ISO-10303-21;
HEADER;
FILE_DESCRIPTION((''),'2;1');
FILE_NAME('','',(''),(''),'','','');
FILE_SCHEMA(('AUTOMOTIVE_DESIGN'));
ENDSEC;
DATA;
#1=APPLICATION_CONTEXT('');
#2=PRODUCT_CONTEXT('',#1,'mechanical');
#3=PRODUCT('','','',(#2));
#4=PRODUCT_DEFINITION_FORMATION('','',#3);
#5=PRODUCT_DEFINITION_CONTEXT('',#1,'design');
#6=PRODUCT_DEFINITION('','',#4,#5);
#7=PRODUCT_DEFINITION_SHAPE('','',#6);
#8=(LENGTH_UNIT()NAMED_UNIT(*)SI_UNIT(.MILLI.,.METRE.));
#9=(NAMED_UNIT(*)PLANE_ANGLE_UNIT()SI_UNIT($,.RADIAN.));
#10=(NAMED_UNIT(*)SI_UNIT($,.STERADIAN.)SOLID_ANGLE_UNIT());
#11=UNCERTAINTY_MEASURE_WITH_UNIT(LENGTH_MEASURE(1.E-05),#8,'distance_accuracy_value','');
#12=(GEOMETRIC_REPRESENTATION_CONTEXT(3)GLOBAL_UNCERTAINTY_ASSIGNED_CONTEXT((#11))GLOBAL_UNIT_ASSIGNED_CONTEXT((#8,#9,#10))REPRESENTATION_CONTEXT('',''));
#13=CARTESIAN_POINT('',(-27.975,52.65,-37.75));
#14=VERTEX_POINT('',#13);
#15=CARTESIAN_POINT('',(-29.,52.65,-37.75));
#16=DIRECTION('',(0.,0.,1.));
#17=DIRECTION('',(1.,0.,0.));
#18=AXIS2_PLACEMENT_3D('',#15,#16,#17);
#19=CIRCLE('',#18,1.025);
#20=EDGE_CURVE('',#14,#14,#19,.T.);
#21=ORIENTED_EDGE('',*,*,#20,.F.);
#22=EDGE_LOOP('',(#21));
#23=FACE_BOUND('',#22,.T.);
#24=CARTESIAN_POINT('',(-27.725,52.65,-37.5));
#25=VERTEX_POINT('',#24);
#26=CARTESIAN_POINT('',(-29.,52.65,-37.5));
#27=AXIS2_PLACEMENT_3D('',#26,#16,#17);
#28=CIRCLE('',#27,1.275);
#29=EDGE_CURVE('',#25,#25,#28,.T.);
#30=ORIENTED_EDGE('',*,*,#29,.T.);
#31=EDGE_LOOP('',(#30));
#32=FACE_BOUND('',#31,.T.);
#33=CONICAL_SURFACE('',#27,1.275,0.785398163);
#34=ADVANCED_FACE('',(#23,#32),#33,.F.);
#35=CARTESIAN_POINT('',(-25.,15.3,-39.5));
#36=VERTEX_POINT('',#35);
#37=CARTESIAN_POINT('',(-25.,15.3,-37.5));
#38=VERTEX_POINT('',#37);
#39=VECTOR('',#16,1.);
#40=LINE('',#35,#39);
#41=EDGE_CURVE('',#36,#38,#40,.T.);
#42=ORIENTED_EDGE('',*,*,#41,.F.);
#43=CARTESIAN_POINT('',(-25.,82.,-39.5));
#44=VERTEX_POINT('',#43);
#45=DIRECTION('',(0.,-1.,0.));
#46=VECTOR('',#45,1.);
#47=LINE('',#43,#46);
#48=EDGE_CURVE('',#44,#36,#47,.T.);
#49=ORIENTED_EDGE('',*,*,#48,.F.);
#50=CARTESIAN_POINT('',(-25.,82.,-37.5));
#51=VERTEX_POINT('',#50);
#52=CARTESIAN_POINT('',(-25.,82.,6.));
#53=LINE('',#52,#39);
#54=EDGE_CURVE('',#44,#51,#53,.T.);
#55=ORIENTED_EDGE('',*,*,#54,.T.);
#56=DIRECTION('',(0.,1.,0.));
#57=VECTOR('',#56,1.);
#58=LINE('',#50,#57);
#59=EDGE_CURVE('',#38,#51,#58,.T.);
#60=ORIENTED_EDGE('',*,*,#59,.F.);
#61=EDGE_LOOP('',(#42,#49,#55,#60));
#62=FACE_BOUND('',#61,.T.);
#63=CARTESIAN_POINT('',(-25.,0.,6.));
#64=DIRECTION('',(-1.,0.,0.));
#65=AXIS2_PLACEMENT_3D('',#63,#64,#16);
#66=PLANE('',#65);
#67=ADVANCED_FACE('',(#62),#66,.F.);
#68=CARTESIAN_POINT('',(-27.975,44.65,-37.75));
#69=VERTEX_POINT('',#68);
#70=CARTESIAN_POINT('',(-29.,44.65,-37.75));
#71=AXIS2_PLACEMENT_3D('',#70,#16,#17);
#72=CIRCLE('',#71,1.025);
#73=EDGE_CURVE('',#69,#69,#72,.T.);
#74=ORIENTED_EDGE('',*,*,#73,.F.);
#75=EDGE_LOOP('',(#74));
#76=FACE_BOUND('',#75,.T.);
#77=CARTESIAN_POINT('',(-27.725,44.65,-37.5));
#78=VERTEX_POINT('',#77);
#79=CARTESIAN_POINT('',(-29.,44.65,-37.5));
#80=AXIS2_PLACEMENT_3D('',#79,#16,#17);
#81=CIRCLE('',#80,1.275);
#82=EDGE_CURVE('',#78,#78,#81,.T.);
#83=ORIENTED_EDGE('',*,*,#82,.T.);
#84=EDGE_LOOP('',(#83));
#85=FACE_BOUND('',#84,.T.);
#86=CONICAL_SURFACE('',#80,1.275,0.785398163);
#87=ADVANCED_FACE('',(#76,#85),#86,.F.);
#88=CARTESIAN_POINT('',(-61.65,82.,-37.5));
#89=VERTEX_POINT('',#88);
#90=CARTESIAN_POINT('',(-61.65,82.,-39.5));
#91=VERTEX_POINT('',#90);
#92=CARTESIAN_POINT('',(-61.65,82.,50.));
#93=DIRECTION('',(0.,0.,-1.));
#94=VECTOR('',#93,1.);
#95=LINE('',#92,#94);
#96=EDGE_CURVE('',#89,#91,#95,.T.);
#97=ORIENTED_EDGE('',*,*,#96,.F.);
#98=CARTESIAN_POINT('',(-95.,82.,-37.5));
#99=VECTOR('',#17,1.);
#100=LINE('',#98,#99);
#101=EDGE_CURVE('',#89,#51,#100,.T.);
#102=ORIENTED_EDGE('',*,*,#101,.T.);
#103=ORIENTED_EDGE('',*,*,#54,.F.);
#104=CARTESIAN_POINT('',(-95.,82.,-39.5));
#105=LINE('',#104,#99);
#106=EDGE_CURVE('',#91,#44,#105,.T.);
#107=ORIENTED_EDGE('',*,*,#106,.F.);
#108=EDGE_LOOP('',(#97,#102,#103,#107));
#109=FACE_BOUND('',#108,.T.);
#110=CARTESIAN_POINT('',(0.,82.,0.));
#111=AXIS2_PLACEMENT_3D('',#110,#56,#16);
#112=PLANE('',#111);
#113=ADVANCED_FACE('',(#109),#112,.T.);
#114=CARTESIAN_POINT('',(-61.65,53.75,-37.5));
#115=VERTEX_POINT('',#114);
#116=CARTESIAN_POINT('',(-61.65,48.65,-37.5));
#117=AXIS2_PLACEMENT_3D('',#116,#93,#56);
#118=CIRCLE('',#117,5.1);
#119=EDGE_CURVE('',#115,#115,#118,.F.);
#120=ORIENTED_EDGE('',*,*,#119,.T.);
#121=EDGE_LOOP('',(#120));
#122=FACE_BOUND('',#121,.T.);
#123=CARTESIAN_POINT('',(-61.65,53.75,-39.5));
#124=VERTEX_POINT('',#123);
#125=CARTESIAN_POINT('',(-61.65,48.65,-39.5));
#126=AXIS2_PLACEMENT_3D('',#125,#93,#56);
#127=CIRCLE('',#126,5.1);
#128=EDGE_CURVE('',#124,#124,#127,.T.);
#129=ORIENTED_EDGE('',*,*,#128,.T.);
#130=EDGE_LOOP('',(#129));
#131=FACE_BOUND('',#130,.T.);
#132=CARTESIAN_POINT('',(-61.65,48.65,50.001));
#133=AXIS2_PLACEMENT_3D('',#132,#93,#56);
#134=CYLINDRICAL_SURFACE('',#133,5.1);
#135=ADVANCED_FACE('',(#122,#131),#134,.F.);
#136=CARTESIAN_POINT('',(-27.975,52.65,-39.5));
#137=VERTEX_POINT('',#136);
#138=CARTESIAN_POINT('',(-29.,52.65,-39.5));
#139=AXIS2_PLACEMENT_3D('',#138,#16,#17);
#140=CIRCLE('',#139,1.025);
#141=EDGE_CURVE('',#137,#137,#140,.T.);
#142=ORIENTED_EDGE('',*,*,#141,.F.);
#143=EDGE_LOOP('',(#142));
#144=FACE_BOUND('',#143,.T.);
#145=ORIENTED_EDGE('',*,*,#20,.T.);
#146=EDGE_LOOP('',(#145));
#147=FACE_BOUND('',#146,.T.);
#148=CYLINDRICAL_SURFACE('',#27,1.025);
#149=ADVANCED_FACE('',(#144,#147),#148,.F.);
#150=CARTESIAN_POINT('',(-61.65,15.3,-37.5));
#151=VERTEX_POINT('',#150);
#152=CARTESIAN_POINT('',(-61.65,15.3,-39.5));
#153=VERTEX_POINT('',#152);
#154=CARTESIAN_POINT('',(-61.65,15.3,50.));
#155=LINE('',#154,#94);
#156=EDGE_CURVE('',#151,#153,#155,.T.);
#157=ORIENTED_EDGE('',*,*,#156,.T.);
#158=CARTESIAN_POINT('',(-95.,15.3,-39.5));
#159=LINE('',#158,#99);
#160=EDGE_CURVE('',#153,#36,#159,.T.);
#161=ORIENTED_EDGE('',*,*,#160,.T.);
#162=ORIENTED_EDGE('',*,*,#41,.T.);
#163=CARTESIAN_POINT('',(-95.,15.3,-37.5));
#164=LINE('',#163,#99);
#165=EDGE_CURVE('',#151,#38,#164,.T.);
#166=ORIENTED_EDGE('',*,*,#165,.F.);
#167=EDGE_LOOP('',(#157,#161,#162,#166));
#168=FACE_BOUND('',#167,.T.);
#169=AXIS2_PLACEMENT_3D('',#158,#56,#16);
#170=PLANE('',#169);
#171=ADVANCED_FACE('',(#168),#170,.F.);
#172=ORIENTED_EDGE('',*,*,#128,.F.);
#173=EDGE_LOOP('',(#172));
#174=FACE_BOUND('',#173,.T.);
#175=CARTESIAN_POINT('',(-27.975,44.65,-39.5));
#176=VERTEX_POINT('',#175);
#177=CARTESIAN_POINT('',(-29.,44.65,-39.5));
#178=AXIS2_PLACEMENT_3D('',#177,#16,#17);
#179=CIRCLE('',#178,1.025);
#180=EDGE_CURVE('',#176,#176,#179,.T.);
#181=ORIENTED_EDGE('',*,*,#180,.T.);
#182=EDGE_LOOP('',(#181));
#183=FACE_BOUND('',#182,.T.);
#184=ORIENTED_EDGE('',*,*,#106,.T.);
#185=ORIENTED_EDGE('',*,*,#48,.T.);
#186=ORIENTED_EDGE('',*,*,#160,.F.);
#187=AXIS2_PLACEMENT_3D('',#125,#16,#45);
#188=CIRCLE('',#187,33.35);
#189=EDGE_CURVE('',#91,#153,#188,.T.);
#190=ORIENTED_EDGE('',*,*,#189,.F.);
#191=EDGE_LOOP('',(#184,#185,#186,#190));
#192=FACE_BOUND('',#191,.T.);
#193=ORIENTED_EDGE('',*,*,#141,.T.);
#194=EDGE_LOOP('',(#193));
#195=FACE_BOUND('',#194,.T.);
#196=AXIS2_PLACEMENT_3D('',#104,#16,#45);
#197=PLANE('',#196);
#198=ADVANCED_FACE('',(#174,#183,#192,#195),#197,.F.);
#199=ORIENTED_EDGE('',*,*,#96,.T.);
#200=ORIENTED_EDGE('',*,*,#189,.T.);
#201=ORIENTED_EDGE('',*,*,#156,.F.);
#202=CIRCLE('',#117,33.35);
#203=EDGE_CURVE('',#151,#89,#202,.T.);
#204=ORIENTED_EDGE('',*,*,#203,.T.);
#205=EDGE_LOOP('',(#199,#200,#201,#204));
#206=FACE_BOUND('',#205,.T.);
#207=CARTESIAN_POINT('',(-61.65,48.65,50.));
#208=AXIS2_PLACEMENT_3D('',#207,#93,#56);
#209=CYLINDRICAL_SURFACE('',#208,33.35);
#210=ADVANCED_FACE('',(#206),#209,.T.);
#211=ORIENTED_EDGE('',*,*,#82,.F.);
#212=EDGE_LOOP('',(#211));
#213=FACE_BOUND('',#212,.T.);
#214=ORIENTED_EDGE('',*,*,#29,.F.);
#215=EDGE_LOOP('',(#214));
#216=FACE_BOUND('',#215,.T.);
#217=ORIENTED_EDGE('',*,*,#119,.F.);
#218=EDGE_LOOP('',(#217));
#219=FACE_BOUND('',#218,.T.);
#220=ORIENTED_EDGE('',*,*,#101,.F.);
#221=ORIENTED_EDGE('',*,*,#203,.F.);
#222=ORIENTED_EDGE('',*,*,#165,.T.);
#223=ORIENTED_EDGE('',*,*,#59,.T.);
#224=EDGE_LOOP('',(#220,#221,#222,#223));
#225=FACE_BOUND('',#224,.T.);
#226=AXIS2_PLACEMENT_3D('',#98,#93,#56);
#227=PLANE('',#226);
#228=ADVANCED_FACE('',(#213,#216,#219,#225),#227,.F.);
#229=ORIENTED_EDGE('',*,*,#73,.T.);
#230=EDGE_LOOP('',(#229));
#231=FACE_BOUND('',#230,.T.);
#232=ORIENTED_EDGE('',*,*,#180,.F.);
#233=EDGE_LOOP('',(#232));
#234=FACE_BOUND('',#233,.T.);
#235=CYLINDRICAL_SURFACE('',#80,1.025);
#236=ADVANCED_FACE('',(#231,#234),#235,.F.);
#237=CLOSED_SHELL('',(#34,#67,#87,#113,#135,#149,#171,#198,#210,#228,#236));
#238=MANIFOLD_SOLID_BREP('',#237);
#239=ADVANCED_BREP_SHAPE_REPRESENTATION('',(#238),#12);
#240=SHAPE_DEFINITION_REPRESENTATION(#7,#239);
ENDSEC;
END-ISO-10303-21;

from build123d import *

# Parameters (mm, degrees)
SKETCH_1_W                     = 50
SKETCH_1_H                     = 100
EXTRUDE_1_DEPTH                = 2
SKETCH_2_W                     = 3
SKETCH_2_H                     = 100
EXTRUDE_2_DEPTH                = 80
SKETCH_3_W                     = 2
SKETCH_3_H                     = 66.7
EXTRUDE_3_DEPTH                = 70
CUT_EXTRUDE_4_REACH            = 162.465
SKETCH_8_W                     = 2
SKETCH_8_H                     = 66.7
EXTRUDE_4_DEPTH                = 70
CUT_EXTRUDE_5_REACH            = 140.25
HOLE_WIZARD_M3_1_D             = 2.5
HOLE_WIZARD_M3_1_DEPTH         = 2
HOLE_WIZARD_M3_1_CSINK_D       = 3.05
HOLE_WIZARD_M3_1_CSINK_ANGLE   = 90
FILLET_1_R                     = 2
CUT_EXTRUDE_6_REACH            = 140.25
SKETCH_12_R                    = 11
CUT_EXTRUDE_7_REACH            = 162.465
SKETCH_13_R                    = 14.5
SKETCH_14_W                    = 2
SKETCH_14_H                    = 66.7
EXTRUDE_5_DEPTH                = 70
CUT_EXTRUDE_8_REACH            = 156.14
SKETCH_15_R                    = 5.1
CUT_EXTRUDE_9_DEPTH            = 155.140358116
CUT_EXTRUDE_9_DEPTH_BACK       = 155.140358116
SKETCH_19_W                    = 2
SKETCH_19_H                    = 66.7
CUT_EXTRUDE_10_DEPTH           = 119.844436134
FILLET_2_R                     = 2
CUT_EXTRUDE_11_DEPTH           = 134.88427839
CUT_EXTRUDE_11_DEPTH_BACK      = 134.88427839
HOLE_WIZARD_M2_5_1_D           = 2.05
HOLE_WIZARD_M2_5_1_CSINK_D     = 2.55
HOLE_WIZARD_M2_5_1_CSINK_ANGLE = 90


with BuildPart() as part:
    # 草图1 → 凸台-拉伸1 (new body)
    with BuildSketch(Plane(origin=(0, 0, 0), x_dir=(1, 0, 0), z_dir=(0, 1, 0))):
        Rectangle(SKETCH_1_W, SKETCH_1_H)
    extrude(amount=EXTRUDE_1_DEPTH)

    # 草图2 → 凸台-拉伸2 (add)
    with BuildSketch(Plane(origin=(0, 2, 0), x_dir=(1, 0, 0), z_dir=(0, 1, 0))):
        with Locations((-23.5, 0)):
            Rectangle(SKETCH_2_W, SKETCH_2_H)
    extrude(amount=EXTRUDE_2_DEPTH)

    # 草图3 → 凸台-拉伸3 (add)
    with BuildSketch(Plane.ZY.offset(25)):
        with Locations((-49, 48.65)):
            Rectangle(SKETCH_3_W, SKETCH_3_H)
    extrude(amount=EXTRUDE_3_DEPTH)

    # 草图4 → 切除-拉伸4 (cut, up to next)
    with BuildSketch(Plane(origin=(0, 0, -50), x_dir=(-1, 0, 0), z_dir=(0, 0, -1)), mode=Mode.PRIVATE) as cut_extrude_4_sk1:
        with BuildLine():
            Line((95, 82), (61.65, 82))
            ThreePointArc((61.65, 82), (85.232011153, 72.232011153), (95, 48.65))
            Line((95, 48.65), (95, 82))
        make_face()
    cut_extrude_4_tool1 = extrude(cut_extrude_4_sk1.sketch, amount=-CUT_EXTRUDE_4_REACH, mode=Mode.PRIVATE) & part.part
    # 草图4 → 切除-拉伸4 (cut, up to next)
    with BuildSketch(Plane(origin=(0, 0, -50), x_dir=(-1, 0, 0), z_dir=(0, 0, -1)), mode=Mode.PRIVATE) as cut_extrude_4_sk2:
        with BuildLine():
            ThreePointArc((95, 48.65), (85.232011153, 25.067988847), (61.65, 15.3))
            Line((61.65, 15.3), (95, 15.3))
            Line((95, 15.3), (95, 48.65))
        make_face()
    cut_extrude_4_tool2 = extrude(cut_extrude_4_sk2.sketch, amount=-CUT_EXTRUDE_4_REACH, mode=Mode.PRIVATE) & part.part
    add(cut_extrude_4_tool1.solids().sort_by_distance((-87.550679, 74.550679, -50))[0], mode=Mode.SUBTRACT)
    add(cut_extrude_4_tool2.solids().sort_by_distance((-87.550679, 22.749321, -50))[0], mode=Mode.SUBTRACT)

    # 草图8 → 凸台-拉伸4 (add)
    with BuildSketch(Plane.ZY.offset(25)):
        with Locations((7, 48.65)):
            Rectangle(SKETCH_8_W, SKETCH_8_H)
    extrude(amount=EXTRUDE_4_DEPTH)

    # 草图9 → 切除-拉伸5 (cut, up to next)
    with BuildSketch(Plane.XY.offset(8), mode=Mode.PRIVATE) as cut_extrude_5_sk1:
        with BuildLine():
            ThreePointArc((-95, 48.65), (-85.232011153, 72.232011153), (-61.65, 82))
            Line((-61.65, 82), (-95, 82))
            Line((-95, 82), (-95, 48.65))
        make_face()
    cut_extrude_5_tool1 = extrude(cut_extrude_5_sk1.sketch, amount=-CUT_EXTRUDE_5_REACH, mode=Mode.PRIVATE) & part.part
    # 草图9 → 切除-拉伸5 (cut, up to next)
    with BuildSketch(Plane.XY.offset(8), mode=Mode.PRIVATE) as cut_extrude_5_sk2:
        with BuildLine():
            ThreePointArc((-61.65, 15.3), (-85.232011153, 25.067988847), (-95, 48.65))
            Line((-95, 48.65), (-95, 15.3))
            Line((-95, 15.3), (-61.65, 15.3))
        make_face()
    cut_extrude_5_tool2 = extrude(cut_extrude_5_sk2.sketch, amount=-CUT_EXTRUDE_5_REACH, mode=Mode.PRIVATE) & part.part
    add(cut_extrude_5_tool1.solids().sort_by_distance((-87.550679, 74.550679, 8))[0], mode=Mode.SUBTRACT)
    add(cut_extrude_5_tool2.solids().sort_by_distance((-87.550679, 22.749321, 8))[0], mode=Mode.SUBTRACT)

    # M3 螺纹孔1
    with Locations(Plane.XY.offset(8)):
        with Locations((-78.970508076, 38.65), (-61.65, 68.65), (-44.329491924, 38.65)):
            CounterSinkHole(HOLE_WIZARD_M3_1_D / 2, HOLE_WIZARD_M3_1_CSINK_D / 2, depth=HOLE_WIZARD_M3_1_DEPTH, counter_sink_angle=HOLE_WIZARD_M3_1_CSINK_ANGLE)

    # 圆角1
    fillet_1_edges = [part.edges().sort_by_distance(p)[0] for p in [
        (-23.5, 82, 50),
        (25, 1, 50),
        (25, 1, -50),
    ]]
    fillet(fillet_1_edges, radius=FILLET_1_R)

    # 草图12 → 切除-拉伸6 (cut, up to next)
    with BuildSketch(Plane.XY.offset(8), mode=Mode.PRIVATE) as cut_extrude_6_sk1:
        with Locations((-61.65, 48.65)):
            Circle(SKETCH_12_R)
    cut_extrude_6_tool1 = extrude(cut_extrude_6_sk1.sketch, amount=-CUT_EXTRUDE_6_REACH, mode=Mode.PRIVATE) & part.part
    add(cut_extrude_6_tool1.solids().sort_by_distance((-61.65, 48.65, 8))[0], mode=Mode.SUBTRACT)

    # 草图13 → 切除-拉伸7 (cut, up to next)
    with BuildSketch(Plane(origin=(0, 0, -50), x_dir=(-1, 0, 0), z_dir=(0, 0, -1)), mode=Mode.PRIVATE) as cut_extrude_7_sk1:
        with Locations((61.65, 48.65)):
            Circle(SKETCH_13_R)
    cut_extrude_7_tool1 = extrude(cut_extrude_7_sk1.sketch, amount=-CUT_EXTRUDE_7_REACH, mode=Mode.PRIVATE) & part.part
    add(cut_extrude_7_tool1.solids().sort_by_distance((-61.65, 48.65, -50))[0], mode=Mode.SUBTRACT)

    # 草图14 → 凸台-拉伸5 (add)
    with BuildSketch(Plane.ZY.offset(25)):
        with Locations((-38.5, 48.65)):
            Rectangle(SKETCH_14_W, SKETCH_14_H)
    extrude(amount=EXTRUDE_5_DEPTH)

    # 草图15 → 切除-拉伸8 (cut, up to next)
    with BuildSketch(Plane(origin=(0, 0, -39.5), x_dir=(-1, 0, 0), z_dir=(0, 0, -1)), mode=Mode.PRIVATE) as cut_extrude_8_sk1:
        with Locations(Location((61.65, 48.65, 0), (0, 0, 90))):
            Circle(SKETCH_15_R)
    cut_extrude_8_tool1 = extrude(cut_extrude_8_sk1.sketch, amount=-CUT_EXTRUDE_8_REACH, mode=Mode.PRIVATE) & part.part
    add(cut_extrude_8_tool1.solids().sort_by_distance((-61.65, 48.65, -39.5))[0], mode=Mode.SUBTRACT)

    # 草图18 → 切除-拉伸9 (cut, two sides: drawn at the far end of the back side and taken through both)
    with BuildSketch(Plane(origin=(0, 0, -39.5), x_dir=(-1, 0, 0), z_dir=(0, 0, -1)).offset(-CUT_EXTRUDE_9_DEPTH_BACK)):
        with BuildLine():
            Line((95, 15.3), (95, 48.65))
            ThreePointArc((95, 48.65), (85.232011153, 25.067988847), (61.65, 15.3))
            Line((61.65, 15.3), (95, 15.3))
        make_face()
        with BuildLine():
            Line((95, 48.65), (95, 82))
            Line((95, 82), (61.65, 82))
            ThreePointArc((61.65, 82), (85.232011153, 72.232011153), (95, 48.65))
        make_face()
    extrude(amount=CUT_EXTRUDE_9_DEPTH + CUT_EXTRUDE_9_DEPTH_BACK, mode=Mode.SUBTRACT)

    # 草图19 → 切除-拉伸10 (cut, through all)
    with BuildSketch(Plane.ZY.offset(25)):
        with Locations((-49, 48.65)):
            Rectangle(SKETCH_19_W, SKETCH_19_H)
    extrude(amount=CUT_EXTRUDE_10_DEPTH, mode=Mode.SUBTRACT)

    # 圆角2
    fillet_2_edges = [part.edges().sort_by_distance(p)[0] for p in [
        (-23.5, 82, -50),
    ]]
    fillet(fillet_2_edges, radius=FILLET_2_R)

    # 草图20 → 切除-拉伸11 (cut, two sides: drawn at the far end of the back side and taken through both)
    with BuildSketch(Plane(origin=(0, 2, 0), x_dir=(1, 0, 0), z_dir=(0, 1, 0)).offset(-CUT_EXTRUDE_11_DEPTH_BACK)):
        Polygon((-25, -8), (-95, -8), (-95, -6), (-25, -6), (-25, 50), (25, 50), (25, -50), (-25, -50), align=None)
    extrude(amount=CUT_EXTRUDE_11_DEPTH + CUT_EXTRUDE_11_DEPTH_BACK, mode=Mode.SUBTRACT)

    # M2.5 螺纹孔1 (through all)
    with Locations(Plane.XY.offset(-37.5)):
        with Locations((-29, 52.65), (-29, 44.65)):
            CounterSinkHole(HOLE_WIZARD_M2_5_1_D / 2, HOLE_WIZARD_M2_5_1_CSINK_D / 2, counter_sink_angle=HOLE_WIZARD_M2_5_1_CSINK_ANGLE)


solid = part.part
